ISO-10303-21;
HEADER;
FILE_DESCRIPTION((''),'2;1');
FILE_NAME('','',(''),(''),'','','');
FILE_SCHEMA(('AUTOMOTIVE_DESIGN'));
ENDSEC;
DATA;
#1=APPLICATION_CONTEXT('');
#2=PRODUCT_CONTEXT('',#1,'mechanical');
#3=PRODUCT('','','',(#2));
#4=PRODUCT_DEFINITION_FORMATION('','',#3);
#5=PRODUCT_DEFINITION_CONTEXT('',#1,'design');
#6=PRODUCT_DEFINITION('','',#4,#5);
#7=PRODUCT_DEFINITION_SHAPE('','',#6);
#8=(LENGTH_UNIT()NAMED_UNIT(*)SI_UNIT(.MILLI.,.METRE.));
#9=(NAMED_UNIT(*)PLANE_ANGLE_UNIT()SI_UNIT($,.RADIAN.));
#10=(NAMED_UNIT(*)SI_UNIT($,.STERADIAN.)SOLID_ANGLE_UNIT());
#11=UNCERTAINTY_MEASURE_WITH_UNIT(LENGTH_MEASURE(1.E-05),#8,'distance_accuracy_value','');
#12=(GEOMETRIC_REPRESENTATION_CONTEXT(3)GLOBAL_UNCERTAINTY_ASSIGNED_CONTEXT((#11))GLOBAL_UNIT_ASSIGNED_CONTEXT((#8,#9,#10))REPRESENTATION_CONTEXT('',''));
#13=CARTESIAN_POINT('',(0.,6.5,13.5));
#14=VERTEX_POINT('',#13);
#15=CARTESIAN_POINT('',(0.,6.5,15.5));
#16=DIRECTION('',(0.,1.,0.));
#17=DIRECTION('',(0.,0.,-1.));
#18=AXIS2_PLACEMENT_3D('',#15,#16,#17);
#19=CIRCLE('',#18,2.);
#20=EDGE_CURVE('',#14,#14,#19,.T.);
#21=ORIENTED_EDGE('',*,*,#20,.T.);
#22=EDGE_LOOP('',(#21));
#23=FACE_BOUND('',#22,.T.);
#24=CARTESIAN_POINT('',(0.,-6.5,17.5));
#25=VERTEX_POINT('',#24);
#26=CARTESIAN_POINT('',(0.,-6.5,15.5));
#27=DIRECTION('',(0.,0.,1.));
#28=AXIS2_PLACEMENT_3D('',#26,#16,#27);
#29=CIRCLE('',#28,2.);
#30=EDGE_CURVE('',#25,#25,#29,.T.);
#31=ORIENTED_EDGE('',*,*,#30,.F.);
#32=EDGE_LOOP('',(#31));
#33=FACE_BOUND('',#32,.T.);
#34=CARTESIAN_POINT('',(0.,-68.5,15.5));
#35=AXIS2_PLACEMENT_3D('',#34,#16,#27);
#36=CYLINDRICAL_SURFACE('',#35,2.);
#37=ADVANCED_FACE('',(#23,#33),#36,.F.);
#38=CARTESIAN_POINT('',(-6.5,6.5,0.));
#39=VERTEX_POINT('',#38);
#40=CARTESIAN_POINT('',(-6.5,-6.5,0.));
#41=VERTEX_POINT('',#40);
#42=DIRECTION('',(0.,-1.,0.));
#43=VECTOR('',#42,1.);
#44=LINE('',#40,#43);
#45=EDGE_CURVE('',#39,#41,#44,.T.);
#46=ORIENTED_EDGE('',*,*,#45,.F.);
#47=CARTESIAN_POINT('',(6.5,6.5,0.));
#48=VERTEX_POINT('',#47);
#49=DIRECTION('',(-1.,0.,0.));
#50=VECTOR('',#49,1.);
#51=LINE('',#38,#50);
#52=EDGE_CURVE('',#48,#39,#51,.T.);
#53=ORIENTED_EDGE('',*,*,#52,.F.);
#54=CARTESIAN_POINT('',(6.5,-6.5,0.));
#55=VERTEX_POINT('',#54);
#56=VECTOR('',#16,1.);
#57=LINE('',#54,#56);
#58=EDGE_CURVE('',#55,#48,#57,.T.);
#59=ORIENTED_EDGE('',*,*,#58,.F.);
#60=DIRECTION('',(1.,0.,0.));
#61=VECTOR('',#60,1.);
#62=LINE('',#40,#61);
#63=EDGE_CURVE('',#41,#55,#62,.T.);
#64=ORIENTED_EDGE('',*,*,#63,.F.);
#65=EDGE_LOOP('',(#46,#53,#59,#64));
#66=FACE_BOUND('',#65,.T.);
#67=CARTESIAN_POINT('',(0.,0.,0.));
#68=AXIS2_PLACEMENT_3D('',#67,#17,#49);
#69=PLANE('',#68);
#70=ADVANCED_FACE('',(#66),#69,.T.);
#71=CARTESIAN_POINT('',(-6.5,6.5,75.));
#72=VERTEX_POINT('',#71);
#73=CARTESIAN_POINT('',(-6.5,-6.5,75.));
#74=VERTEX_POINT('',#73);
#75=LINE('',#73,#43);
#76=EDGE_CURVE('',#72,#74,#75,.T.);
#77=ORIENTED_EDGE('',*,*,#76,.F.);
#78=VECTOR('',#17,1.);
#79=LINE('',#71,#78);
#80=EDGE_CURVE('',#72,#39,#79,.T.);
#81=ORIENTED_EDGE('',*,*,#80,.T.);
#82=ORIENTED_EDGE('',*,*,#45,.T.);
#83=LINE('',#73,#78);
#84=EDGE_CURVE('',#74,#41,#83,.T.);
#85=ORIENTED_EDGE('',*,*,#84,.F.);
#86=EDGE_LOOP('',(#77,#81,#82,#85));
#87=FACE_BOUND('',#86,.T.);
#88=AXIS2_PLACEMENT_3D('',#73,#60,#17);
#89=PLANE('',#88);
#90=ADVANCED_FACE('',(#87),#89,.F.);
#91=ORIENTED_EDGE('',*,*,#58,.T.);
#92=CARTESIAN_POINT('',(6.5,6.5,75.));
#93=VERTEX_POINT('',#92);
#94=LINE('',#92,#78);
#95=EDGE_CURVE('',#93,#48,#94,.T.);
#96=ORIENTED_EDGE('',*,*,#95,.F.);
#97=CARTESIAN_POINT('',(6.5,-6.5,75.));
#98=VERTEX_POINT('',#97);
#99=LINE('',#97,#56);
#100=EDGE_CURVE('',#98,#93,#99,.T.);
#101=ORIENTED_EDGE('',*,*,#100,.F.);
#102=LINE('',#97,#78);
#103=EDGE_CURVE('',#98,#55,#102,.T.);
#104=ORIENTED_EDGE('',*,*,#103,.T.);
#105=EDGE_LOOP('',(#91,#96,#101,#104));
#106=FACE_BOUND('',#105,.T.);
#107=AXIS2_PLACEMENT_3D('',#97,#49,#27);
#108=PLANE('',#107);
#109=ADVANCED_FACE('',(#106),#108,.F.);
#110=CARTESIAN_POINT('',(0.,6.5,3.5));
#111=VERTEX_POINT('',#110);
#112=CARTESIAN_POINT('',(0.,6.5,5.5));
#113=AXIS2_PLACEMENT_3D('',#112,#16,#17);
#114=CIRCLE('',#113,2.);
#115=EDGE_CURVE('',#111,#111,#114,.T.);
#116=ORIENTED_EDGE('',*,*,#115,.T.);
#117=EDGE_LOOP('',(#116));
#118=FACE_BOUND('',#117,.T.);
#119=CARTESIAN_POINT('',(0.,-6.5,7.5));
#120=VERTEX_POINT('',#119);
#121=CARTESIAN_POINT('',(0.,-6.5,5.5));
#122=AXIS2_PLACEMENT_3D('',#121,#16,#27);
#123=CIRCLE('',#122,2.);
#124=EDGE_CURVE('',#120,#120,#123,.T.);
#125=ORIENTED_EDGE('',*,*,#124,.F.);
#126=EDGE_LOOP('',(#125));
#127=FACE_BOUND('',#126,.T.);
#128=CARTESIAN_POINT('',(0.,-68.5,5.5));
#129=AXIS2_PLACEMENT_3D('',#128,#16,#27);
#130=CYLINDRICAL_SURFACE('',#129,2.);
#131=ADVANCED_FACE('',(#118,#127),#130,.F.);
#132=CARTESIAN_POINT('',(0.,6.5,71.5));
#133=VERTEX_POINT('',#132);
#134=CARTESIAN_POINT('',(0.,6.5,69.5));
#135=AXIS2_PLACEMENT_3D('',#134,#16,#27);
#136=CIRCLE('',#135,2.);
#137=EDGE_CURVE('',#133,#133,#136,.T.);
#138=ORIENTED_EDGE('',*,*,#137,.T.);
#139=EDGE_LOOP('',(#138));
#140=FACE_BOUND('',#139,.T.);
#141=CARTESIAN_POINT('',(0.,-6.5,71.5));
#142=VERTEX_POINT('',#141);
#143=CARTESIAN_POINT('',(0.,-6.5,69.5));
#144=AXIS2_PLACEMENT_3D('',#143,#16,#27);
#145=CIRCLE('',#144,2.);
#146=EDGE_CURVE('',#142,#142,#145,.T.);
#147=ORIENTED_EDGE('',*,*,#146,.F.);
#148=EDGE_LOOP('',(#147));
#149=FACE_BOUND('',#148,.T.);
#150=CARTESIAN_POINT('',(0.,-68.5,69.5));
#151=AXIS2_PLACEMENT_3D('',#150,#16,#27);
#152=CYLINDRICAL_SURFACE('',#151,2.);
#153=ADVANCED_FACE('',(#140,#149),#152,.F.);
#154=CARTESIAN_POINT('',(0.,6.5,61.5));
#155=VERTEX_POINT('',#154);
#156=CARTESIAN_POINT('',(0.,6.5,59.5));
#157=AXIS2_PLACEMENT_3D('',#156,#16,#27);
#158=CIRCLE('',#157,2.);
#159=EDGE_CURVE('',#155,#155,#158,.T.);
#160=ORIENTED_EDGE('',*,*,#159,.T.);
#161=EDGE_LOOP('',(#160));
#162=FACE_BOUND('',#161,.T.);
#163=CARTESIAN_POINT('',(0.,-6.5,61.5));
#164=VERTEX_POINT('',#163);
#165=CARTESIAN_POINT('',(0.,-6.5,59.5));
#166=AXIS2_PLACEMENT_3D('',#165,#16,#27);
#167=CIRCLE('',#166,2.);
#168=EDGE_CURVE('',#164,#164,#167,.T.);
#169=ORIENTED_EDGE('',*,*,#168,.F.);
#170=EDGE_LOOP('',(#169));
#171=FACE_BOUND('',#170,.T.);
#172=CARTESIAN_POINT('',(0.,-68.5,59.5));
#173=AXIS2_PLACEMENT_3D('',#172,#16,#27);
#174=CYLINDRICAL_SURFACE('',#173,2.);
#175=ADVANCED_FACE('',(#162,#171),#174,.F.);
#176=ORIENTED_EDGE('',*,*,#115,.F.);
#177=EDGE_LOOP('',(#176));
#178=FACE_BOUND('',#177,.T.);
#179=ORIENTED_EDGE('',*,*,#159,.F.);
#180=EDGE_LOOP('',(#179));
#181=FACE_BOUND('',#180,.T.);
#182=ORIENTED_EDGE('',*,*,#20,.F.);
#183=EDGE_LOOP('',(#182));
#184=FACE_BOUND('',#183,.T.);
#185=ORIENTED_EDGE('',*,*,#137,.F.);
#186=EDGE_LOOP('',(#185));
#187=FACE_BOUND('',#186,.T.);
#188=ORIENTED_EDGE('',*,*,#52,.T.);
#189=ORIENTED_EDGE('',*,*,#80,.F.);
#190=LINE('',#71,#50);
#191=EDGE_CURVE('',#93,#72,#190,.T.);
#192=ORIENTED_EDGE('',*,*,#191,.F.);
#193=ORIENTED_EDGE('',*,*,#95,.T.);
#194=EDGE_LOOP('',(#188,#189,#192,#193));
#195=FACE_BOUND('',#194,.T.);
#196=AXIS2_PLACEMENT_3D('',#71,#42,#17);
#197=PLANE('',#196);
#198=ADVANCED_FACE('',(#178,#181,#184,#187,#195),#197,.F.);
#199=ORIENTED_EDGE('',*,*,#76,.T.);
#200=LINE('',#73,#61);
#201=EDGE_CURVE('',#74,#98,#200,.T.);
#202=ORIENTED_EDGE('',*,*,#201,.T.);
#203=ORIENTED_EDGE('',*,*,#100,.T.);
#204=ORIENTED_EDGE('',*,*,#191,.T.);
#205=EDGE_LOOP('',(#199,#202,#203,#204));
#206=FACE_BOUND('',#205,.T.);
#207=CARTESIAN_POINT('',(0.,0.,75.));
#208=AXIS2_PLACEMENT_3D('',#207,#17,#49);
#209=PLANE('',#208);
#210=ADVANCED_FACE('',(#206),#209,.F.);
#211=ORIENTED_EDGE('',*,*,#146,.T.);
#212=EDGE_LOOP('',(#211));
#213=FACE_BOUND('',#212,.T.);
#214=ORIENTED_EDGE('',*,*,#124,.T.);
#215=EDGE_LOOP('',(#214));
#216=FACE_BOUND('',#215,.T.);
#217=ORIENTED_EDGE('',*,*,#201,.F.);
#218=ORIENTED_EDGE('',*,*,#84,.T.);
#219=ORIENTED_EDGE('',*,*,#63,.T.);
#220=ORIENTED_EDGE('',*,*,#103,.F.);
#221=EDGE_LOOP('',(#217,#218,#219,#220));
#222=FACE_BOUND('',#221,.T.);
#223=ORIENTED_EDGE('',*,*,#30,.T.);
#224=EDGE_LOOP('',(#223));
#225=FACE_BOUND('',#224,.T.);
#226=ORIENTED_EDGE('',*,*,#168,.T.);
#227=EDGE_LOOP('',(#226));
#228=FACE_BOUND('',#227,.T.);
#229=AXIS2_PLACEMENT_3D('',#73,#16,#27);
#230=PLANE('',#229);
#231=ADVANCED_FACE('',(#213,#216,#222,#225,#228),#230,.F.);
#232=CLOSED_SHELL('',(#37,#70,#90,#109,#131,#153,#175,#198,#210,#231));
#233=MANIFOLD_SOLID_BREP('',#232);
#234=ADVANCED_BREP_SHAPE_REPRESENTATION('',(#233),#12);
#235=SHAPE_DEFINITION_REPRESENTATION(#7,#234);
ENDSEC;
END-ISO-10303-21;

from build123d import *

# Parameters (mm, degrees)
SKETCH1_W           = 13
SKETCH1_H           = 13
BOSS_EXTRUDE1_DEPTH = 75
SKETCH2_R           = 2
CUT_EXTRUDE1_DEPTH  = 75


with BuildPart() as part:
    # Sketch1 → Boss-Extrude1 (new body)
    with BuildSketch(Plane.XY):
        Rectangle(SKETCH1_W, SKETCH1_H)
    extrude(amount=BOSS_EXTRUDE1_DEPTH)

    # Sketch2 → Cut-Extrude1 (cut)
    with BuildSketch(Plane(origin=(0, 6.5, 0), x_dir=(1, 0, 0), z_dir=(0, 1, 0))):
        with Locations(Location((0, -69.5, 0), (0, 0, 270))):
            Circle(SKETCH2_R)
        with Locations(Location((0, -59.5, 0), (0, 0, 270))):
            Circle(SKETCH2_R)
        with Locations(Location((0, -5.5, 0), (0, 0, 270))):
            Circle(SKETCH2_R)
        with Locations(Location((0, -15.5, 0), (0, 0, 270))):
            Circle(SKETCH2_R)
    extrude(amount=-CUT_EXTRUDE1_DEPTH, mode=Mode.SUBTRACT)


solid = part.part
